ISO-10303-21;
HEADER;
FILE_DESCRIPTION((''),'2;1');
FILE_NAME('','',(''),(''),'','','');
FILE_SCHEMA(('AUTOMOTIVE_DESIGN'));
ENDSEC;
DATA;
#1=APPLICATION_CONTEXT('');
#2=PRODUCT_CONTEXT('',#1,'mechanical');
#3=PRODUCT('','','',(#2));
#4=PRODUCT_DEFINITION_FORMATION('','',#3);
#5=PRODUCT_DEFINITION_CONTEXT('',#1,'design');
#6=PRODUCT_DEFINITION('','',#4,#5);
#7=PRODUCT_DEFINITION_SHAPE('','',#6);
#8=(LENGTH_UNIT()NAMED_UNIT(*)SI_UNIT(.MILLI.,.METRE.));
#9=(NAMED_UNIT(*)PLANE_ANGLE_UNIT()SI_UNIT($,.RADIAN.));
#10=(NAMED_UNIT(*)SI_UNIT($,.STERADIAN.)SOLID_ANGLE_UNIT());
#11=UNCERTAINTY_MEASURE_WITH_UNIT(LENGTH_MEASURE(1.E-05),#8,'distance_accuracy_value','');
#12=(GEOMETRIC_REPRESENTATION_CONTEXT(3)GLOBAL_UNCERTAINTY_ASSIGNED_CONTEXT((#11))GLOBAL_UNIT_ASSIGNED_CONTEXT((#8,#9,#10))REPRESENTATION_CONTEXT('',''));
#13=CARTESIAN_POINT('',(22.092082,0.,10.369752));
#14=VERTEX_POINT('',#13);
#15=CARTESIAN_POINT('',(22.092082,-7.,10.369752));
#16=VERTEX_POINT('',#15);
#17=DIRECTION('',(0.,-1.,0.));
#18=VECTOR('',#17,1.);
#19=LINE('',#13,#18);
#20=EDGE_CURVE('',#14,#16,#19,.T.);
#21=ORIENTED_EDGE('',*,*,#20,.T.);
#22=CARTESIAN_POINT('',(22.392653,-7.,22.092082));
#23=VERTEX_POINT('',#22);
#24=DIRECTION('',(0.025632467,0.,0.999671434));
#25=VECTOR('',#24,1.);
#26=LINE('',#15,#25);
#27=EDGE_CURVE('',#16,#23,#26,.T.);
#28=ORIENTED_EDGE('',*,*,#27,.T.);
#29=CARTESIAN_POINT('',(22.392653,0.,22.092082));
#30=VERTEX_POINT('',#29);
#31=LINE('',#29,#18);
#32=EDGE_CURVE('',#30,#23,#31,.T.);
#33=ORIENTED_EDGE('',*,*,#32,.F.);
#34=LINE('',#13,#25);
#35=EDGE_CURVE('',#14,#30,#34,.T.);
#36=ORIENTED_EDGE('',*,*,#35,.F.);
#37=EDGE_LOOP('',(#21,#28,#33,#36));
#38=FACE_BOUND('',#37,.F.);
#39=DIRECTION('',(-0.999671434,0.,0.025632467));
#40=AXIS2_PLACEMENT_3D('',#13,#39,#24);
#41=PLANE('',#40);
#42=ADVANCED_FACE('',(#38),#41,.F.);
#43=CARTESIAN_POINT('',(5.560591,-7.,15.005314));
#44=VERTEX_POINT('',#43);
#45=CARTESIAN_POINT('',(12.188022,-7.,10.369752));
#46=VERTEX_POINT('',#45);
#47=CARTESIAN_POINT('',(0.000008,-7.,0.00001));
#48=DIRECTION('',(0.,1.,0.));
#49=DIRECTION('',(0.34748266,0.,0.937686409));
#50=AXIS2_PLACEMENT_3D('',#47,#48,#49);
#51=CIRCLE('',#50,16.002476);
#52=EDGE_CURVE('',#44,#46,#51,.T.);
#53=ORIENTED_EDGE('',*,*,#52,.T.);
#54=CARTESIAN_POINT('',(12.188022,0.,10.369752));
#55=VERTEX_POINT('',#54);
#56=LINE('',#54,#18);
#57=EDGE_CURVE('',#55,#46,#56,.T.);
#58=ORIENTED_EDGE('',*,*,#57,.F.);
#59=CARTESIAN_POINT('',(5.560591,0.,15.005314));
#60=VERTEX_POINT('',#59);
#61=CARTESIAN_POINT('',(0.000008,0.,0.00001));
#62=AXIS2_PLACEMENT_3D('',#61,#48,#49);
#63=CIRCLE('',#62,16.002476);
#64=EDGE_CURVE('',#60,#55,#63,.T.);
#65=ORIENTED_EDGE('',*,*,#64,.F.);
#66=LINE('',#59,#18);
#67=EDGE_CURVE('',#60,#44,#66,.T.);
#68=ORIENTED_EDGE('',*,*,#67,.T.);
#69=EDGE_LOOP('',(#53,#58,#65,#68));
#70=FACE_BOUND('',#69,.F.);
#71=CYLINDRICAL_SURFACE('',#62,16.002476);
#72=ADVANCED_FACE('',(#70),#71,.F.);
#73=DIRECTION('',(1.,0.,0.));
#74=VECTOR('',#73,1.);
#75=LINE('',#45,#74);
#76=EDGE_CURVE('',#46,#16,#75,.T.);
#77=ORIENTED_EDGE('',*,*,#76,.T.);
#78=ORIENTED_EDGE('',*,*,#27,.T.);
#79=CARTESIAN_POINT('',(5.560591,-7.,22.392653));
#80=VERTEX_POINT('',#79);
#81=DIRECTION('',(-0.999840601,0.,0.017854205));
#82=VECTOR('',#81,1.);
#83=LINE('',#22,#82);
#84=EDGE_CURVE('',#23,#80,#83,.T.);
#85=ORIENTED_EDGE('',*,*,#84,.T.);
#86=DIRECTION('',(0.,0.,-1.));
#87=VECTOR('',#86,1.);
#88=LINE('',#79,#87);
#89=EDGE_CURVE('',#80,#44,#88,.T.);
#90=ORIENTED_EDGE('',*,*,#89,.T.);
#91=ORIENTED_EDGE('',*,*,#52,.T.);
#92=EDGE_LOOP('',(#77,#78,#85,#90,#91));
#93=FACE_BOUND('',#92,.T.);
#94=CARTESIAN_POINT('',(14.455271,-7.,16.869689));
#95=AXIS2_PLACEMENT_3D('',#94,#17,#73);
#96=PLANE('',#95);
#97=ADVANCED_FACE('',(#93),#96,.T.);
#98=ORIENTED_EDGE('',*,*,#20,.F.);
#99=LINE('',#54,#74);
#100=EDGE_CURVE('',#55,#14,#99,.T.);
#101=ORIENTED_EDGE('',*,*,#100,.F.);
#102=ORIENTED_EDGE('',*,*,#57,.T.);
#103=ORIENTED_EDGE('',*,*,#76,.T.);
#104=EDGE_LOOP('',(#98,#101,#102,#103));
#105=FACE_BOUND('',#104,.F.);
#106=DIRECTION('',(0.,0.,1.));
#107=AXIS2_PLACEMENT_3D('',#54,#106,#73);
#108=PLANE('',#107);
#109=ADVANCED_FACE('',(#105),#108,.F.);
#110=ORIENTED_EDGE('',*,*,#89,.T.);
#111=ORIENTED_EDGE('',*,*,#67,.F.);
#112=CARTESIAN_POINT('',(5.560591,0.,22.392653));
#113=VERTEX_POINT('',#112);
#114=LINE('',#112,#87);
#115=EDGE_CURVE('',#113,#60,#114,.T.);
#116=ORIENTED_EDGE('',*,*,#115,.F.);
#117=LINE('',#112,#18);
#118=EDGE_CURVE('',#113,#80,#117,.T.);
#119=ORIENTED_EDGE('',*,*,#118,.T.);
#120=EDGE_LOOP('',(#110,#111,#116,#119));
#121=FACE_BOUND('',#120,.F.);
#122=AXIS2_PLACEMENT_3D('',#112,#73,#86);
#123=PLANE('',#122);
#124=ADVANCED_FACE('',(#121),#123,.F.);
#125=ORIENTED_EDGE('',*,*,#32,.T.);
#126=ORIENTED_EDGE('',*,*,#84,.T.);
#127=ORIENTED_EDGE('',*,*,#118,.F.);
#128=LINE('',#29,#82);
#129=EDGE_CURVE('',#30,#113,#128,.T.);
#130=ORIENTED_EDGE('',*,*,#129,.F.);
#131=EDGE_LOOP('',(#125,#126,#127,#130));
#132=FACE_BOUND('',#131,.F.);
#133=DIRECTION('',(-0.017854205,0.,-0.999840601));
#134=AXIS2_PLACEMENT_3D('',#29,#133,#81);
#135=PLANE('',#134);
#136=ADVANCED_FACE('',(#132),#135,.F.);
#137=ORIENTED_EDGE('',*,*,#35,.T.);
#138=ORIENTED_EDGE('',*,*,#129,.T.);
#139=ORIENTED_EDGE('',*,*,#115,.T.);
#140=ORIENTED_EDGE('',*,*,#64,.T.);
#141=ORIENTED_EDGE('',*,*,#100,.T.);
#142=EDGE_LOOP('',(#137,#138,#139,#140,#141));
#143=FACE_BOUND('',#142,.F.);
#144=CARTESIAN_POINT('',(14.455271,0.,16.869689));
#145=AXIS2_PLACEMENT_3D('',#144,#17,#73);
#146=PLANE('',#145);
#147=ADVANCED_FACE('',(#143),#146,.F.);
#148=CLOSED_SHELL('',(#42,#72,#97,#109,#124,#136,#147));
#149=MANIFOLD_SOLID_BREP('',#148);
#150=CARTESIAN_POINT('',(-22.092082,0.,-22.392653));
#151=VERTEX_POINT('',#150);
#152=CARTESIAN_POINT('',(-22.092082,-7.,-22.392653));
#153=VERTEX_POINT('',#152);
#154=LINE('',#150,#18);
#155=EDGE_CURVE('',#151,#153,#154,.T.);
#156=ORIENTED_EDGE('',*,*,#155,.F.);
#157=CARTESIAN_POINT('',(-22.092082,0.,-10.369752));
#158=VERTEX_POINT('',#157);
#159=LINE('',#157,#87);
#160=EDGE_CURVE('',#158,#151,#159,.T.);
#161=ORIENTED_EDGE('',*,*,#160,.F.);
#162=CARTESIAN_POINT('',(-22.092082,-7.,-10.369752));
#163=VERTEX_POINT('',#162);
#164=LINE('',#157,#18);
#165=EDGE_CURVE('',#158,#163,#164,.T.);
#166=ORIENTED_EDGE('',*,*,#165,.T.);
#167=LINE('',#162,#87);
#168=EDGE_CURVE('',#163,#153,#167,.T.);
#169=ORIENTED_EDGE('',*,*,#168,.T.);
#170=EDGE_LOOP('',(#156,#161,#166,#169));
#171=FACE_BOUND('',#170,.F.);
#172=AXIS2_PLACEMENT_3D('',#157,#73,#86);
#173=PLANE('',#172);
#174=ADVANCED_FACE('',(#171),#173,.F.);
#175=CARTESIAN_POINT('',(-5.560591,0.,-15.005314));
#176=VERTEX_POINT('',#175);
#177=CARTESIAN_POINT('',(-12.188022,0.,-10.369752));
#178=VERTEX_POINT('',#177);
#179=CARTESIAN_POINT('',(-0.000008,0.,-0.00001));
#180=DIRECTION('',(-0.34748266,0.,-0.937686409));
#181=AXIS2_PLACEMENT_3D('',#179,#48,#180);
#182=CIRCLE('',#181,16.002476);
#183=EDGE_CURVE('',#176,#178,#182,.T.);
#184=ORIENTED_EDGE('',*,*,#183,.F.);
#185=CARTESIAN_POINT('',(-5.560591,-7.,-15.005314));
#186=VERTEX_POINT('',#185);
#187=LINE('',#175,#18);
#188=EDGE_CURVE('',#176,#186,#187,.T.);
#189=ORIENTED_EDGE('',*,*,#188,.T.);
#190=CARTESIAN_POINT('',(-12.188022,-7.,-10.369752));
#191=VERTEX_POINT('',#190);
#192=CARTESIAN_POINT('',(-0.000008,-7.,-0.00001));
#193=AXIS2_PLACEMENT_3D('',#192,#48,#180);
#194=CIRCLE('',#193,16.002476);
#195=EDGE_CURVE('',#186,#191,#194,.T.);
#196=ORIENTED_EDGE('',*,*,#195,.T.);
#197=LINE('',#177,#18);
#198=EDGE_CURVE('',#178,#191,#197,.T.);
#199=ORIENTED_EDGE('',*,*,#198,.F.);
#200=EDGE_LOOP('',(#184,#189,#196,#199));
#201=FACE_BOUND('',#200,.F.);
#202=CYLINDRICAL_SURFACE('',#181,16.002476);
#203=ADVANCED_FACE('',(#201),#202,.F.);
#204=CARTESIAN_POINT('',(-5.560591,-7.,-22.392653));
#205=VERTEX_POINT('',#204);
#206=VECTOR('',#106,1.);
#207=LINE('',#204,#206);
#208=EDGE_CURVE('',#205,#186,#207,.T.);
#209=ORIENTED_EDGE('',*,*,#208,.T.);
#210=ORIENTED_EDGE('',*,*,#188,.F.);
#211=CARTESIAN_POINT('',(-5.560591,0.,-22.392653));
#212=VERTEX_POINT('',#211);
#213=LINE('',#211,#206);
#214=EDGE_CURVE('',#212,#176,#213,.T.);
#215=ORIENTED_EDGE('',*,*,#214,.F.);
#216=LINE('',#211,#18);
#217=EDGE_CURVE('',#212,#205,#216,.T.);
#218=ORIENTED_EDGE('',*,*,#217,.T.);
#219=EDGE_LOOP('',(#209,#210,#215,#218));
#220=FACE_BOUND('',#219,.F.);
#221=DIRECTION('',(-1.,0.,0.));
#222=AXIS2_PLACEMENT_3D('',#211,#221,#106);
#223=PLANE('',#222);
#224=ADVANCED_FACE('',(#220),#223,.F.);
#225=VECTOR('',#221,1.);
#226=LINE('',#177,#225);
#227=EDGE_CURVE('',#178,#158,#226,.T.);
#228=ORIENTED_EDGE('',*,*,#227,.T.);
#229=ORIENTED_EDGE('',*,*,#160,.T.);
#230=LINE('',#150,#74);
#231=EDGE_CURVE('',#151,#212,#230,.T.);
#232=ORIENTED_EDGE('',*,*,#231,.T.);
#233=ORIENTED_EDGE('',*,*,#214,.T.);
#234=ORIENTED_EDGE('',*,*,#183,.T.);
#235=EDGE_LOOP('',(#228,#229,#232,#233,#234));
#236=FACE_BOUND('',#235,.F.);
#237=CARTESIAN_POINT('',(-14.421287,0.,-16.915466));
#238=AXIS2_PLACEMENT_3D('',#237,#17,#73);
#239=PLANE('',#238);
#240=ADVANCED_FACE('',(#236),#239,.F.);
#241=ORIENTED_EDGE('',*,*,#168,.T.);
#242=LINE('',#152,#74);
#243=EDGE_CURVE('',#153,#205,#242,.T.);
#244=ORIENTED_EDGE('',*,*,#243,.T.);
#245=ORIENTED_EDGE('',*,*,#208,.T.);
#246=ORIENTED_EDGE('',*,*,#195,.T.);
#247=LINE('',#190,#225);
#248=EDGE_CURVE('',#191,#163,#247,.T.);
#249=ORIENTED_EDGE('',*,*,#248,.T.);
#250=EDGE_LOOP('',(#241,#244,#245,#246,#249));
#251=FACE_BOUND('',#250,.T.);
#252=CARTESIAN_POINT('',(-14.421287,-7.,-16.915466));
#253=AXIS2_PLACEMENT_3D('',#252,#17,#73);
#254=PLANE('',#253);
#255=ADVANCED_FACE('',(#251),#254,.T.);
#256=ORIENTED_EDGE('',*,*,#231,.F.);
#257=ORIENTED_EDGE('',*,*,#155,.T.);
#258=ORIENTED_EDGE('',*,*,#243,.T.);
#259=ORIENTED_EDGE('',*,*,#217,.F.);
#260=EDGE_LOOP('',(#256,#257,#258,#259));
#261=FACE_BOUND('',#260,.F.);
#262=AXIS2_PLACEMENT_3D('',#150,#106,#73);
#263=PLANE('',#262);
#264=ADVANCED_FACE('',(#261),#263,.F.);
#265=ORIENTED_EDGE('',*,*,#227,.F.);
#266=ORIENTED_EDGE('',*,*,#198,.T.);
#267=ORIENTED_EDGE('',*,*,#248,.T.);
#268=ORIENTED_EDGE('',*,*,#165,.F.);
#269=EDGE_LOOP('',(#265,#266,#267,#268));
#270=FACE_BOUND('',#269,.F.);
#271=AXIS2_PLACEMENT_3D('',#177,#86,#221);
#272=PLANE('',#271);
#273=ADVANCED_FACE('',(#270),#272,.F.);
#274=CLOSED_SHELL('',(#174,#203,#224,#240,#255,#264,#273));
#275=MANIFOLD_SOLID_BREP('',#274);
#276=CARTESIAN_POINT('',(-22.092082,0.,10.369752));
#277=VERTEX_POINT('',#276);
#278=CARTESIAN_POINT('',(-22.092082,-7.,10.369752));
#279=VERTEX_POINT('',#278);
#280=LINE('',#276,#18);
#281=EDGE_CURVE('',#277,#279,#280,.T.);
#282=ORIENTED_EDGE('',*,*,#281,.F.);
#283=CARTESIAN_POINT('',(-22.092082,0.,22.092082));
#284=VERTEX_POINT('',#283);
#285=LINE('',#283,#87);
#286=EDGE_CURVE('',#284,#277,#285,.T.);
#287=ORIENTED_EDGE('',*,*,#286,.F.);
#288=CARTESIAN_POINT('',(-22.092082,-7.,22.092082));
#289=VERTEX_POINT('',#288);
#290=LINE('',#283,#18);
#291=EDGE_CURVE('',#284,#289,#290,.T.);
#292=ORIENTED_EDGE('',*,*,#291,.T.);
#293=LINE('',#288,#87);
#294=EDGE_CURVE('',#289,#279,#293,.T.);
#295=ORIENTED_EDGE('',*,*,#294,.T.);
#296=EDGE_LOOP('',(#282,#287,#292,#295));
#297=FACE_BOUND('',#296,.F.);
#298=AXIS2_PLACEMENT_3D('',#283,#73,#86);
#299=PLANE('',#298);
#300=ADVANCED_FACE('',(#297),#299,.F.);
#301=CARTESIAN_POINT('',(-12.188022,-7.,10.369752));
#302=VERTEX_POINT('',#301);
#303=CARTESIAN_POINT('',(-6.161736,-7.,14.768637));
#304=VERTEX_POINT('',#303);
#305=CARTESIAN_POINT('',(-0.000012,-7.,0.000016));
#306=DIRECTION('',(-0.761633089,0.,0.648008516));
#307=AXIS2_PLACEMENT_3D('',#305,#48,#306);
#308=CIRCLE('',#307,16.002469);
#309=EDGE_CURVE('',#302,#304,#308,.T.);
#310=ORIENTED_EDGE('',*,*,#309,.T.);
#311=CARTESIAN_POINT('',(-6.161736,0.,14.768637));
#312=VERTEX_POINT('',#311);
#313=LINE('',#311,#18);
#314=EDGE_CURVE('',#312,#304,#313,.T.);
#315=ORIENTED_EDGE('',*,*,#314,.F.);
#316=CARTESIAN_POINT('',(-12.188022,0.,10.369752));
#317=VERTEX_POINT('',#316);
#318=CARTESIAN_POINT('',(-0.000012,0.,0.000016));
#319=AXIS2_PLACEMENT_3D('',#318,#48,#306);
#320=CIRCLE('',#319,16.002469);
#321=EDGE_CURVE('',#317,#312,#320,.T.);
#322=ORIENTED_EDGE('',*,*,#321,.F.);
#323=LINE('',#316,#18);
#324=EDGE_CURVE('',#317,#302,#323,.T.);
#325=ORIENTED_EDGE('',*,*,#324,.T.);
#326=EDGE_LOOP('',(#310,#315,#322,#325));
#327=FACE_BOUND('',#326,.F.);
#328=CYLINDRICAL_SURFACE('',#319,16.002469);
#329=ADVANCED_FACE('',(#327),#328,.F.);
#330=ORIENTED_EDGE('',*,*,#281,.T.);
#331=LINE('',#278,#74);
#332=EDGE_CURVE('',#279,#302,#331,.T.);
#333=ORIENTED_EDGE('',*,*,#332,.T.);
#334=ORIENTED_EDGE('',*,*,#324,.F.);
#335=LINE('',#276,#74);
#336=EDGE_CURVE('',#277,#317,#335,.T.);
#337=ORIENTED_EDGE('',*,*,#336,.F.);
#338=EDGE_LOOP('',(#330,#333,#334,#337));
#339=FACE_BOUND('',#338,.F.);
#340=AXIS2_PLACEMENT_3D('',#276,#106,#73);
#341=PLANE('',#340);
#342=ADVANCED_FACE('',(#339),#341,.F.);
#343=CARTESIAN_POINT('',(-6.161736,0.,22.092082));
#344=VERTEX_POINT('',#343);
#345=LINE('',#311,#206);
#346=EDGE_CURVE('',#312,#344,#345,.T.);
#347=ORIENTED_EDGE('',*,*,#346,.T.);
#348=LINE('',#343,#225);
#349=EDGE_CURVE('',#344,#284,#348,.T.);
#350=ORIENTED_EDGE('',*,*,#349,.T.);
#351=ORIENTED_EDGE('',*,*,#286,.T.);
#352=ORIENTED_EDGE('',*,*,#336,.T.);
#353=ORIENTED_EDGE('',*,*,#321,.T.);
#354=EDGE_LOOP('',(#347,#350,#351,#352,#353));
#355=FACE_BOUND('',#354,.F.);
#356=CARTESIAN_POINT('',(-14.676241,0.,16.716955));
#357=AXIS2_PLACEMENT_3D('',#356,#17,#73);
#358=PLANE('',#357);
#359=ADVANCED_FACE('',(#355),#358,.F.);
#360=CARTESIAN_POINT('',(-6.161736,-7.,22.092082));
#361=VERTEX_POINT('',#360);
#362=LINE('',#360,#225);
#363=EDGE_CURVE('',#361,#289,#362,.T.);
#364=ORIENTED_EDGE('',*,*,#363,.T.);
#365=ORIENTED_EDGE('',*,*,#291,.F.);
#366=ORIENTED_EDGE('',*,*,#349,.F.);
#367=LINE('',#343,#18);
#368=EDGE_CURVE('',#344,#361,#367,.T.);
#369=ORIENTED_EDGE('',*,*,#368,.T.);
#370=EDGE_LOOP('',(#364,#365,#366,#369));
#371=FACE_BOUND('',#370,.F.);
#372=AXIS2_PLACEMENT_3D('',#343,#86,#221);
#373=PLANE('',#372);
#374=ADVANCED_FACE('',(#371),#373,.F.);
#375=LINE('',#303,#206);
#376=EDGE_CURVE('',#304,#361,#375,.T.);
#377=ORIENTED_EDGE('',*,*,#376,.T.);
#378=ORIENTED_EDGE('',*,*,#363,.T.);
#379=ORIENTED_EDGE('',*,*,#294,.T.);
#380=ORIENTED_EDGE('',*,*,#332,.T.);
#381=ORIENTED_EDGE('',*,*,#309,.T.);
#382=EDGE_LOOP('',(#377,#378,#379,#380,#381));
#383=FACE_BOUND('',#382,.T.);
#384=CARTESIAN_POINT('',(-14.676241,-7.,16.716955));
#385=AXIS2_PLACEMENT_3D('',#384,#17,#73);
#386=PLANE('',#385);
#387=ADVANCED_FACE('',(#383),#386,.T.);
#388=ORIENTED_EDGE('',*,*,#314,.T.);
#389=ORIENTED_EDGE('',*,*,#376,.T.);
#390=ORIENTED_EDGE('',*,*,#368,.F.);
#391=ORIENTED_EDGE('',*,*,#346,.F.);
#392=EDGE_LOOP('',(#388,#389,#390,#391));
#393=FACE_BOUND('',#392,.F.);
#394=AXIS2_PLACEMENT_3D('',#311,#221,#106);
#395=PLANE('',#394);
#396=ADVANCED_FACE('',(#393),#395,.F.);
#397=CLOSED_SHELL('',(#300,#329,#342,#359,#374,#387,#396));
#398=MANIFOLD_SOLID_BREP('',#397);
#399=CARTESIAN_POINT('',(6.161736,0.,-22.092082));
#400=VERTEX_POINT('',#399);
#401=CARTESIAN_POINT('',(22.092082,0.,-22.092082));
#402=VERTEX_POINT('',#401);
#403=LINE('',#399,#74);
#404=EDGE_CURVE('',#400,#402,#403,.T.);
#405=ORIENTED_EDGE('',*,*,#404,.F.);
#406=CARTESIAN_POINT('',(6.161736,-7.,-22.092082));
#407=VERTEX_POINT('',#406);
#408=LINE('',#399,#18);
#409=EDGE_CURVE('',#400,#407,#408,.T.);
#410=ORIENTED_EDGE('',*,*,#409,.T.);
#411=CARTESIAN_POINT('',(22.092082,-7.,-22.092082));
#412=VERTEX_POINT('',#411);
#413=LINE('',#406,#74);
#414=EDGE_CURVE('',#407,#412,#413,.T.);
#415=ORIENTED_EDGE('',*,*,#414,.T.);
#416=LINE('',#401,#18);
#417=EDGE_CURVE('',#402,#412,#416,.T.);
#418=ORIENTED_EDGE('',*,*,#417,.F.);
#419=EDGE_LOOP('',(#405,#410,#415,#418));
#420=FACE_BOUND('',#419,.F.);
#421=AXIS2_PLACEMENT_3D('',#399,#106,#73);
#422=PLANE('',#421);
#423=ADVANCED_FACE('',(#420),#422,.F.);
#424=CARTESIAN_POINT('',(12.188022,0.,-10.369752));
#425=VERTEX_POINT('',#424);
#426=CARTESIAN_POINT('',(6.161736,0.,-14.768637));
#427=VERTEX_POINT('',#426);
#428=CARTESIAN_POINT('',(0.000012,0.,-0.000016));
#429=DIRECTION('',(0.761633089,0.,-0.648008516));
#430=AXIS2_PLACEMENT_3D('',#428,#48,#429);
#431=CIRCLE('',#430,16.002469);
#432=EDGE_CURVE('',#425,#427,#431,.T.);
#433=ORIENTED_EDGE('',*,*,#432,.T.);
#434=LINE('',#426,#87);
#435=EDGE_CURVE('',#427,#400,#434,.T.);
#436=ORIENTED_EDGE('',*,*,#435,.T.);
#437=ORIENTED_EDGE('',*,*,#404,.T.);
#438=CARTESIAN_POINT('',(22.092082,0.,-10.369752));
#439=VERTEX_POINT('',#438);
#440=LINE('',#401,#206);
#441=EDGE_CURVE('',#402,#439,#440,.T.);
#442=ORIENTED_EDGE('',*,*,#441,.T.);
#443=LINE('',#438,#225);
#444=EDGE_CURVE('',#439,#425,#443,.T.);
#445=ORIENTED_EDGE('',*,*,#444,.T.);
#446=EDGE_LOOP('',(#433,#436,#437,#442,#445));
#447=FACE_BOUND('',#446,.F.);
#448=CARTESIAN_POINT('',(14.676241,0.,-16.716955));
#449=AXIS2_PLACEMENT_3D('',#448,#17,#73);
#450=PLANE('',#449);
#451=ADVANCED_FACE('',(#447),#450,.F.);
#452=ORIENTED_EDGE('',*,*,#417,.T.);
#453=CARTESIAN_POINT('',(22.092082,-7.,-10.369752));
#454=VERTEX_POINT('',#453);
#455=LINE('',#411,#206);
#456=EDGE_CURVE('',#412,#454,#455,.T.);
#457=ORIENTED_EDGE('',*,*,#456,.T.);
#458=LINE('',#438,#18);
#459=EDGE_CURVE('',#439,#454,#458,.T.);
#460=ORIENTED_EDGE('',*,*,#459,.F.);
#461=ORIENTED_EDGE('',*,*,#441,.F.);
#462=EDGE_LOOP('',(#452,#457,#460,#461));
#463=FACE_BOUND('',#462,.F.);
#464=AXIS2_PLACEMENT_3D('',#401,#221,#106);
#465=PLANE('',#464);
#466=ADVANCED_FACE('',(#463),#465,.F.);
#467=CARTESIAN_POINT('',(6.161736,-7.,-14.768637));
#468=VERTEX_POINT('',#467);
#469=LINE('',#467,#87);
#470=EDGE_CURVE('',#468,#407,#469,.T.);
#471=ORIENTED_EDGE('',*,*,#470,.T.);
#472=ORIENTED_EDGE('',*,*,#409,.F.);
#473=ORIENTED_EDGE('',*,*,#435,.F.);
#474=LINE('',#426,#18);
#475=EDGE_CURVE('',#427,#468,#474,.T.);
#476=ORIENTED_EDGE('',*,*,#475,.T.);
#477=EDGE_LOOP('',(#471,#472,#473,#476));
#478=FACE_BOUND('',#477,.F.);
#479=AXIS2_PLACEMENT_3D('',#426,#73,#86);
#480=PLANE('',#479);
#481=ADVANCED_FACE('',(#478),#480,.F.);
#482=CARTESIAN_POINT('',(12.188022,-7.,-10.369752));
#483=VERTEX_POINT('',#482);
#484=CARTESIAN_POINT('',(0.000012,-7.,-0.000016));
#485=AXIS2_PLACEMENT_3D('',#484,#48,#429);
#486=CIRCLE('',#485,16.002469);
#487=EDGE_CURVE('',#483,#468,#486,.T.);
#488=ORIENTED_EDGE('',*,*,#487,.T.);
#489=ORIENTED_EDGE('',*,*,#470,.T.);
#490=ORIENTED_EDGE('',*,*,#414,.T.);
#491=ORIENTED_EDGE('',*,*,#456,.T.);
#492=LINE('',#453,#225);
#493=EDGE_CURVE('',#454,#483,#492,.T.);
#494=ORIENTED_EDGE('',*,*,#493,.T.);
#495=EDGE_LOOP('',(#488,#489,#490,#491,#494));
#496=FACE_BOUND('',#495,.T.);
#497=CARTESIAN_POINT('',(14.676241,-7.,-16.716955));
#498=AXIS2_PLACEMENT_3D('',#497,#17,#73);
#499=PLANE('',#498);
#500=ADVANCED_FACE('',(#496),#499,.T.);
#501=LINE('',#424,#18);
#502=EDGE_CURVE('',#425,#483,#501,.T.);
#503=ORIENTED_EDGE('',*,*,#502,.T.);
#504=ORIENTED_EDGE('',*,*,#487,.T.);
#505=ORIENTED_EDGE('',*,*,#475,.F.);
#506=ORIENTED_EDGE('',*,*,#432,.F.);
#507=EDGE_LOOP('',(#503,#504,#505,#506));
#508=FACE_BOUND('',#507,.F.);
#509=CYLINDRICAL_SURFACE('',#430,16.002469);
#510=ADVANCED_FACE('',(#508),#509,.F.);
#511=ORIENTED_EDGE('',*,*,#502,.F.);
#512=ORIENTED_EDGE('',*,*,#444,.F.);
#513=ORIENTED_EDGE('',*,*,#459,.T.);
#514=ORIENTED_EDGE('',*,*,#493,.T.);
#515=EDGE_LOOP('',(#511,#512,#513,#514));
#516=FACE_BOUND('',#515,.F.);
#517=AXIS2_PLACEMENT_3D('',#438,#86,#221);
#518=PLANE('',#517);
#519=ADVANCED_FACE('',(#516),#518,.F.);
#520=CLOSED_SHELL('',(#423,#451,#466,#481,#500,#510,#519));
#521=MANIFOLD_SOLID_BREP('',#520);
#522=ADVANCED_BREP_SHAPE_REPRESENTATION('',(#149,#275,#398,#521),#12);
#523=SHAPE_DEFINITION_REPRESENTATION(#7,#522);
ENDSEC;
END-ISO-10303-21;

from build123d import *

# Parameters (mm, degrees)
F1_DEPTH = 7


with BuildPart() as f1:
    # F0 (on Front) → F1 (new body)
    with BuildSketch(Plane.XZ):
        with BuildLine():
            ThreePointArc((-12.188022, 10.369752), (-9.434827, 12.925312), (-6.161736, 14.768637))
            Line((-6.161736, 14.768637), (-6.161736, 22.092082))
            Line((-6.161736, 22.092082), (-22.092082, 22.092082))
            Line((-22.092082, 22.092082), (-22.092082, 10.369752))
            Line((-22.092082, 10.369752), (-12.188022, 10.369752))
        make_face()
        with BuildLine():
            ThreePointArc((5.560591, 15.005314), (9.171992, 13.113131), (12.188022, 10.369752))
            Line((12.188022, 10.369752), (22.092082, 10.369752))
            Line((22.092082, 10.369752), (22.392653, 22.092082))
            Line((22.392653, 22.092082), (5.560591, 22.392653))
            Line((5.560591, 22.392653), (5.560591, 15.005314))
        make_face()
        with BuildLine():
            Line((-5.560591, -22.392653), (-5.560591, -15.005314))
            ThreePointArc((-5.560591, -15.005314), (-9.171992, -13.113131), (-12.188022, -10.369752))
            Line((-12.188022, -10.369752), (-22.092082, -10.369752))
            Line((-22.092082, -10.369752), (-22.092082, -22.392653))
            Line((-22.092082, -22.392653), (-5.560591, -22.392653))
        make_face()
        with BuildLine():
            Line((22.092082, -10.369752), (12.188022, -10.369752))
            ThreePointArc((12.188022, -10.369752), (9.434827, -12.925312), (6.161736, -14.768637))
            Line((6.161736, -14.768637), (6.161736, -22.092082))
            Line((6.161736, -22.092082), (22.092082, -22.092082))
            Line((22.092082, -22.092082), (22.092082, -10.369752))
        make_face()
    extrude(amount=F1_DEPTH)


solid = f1.part
